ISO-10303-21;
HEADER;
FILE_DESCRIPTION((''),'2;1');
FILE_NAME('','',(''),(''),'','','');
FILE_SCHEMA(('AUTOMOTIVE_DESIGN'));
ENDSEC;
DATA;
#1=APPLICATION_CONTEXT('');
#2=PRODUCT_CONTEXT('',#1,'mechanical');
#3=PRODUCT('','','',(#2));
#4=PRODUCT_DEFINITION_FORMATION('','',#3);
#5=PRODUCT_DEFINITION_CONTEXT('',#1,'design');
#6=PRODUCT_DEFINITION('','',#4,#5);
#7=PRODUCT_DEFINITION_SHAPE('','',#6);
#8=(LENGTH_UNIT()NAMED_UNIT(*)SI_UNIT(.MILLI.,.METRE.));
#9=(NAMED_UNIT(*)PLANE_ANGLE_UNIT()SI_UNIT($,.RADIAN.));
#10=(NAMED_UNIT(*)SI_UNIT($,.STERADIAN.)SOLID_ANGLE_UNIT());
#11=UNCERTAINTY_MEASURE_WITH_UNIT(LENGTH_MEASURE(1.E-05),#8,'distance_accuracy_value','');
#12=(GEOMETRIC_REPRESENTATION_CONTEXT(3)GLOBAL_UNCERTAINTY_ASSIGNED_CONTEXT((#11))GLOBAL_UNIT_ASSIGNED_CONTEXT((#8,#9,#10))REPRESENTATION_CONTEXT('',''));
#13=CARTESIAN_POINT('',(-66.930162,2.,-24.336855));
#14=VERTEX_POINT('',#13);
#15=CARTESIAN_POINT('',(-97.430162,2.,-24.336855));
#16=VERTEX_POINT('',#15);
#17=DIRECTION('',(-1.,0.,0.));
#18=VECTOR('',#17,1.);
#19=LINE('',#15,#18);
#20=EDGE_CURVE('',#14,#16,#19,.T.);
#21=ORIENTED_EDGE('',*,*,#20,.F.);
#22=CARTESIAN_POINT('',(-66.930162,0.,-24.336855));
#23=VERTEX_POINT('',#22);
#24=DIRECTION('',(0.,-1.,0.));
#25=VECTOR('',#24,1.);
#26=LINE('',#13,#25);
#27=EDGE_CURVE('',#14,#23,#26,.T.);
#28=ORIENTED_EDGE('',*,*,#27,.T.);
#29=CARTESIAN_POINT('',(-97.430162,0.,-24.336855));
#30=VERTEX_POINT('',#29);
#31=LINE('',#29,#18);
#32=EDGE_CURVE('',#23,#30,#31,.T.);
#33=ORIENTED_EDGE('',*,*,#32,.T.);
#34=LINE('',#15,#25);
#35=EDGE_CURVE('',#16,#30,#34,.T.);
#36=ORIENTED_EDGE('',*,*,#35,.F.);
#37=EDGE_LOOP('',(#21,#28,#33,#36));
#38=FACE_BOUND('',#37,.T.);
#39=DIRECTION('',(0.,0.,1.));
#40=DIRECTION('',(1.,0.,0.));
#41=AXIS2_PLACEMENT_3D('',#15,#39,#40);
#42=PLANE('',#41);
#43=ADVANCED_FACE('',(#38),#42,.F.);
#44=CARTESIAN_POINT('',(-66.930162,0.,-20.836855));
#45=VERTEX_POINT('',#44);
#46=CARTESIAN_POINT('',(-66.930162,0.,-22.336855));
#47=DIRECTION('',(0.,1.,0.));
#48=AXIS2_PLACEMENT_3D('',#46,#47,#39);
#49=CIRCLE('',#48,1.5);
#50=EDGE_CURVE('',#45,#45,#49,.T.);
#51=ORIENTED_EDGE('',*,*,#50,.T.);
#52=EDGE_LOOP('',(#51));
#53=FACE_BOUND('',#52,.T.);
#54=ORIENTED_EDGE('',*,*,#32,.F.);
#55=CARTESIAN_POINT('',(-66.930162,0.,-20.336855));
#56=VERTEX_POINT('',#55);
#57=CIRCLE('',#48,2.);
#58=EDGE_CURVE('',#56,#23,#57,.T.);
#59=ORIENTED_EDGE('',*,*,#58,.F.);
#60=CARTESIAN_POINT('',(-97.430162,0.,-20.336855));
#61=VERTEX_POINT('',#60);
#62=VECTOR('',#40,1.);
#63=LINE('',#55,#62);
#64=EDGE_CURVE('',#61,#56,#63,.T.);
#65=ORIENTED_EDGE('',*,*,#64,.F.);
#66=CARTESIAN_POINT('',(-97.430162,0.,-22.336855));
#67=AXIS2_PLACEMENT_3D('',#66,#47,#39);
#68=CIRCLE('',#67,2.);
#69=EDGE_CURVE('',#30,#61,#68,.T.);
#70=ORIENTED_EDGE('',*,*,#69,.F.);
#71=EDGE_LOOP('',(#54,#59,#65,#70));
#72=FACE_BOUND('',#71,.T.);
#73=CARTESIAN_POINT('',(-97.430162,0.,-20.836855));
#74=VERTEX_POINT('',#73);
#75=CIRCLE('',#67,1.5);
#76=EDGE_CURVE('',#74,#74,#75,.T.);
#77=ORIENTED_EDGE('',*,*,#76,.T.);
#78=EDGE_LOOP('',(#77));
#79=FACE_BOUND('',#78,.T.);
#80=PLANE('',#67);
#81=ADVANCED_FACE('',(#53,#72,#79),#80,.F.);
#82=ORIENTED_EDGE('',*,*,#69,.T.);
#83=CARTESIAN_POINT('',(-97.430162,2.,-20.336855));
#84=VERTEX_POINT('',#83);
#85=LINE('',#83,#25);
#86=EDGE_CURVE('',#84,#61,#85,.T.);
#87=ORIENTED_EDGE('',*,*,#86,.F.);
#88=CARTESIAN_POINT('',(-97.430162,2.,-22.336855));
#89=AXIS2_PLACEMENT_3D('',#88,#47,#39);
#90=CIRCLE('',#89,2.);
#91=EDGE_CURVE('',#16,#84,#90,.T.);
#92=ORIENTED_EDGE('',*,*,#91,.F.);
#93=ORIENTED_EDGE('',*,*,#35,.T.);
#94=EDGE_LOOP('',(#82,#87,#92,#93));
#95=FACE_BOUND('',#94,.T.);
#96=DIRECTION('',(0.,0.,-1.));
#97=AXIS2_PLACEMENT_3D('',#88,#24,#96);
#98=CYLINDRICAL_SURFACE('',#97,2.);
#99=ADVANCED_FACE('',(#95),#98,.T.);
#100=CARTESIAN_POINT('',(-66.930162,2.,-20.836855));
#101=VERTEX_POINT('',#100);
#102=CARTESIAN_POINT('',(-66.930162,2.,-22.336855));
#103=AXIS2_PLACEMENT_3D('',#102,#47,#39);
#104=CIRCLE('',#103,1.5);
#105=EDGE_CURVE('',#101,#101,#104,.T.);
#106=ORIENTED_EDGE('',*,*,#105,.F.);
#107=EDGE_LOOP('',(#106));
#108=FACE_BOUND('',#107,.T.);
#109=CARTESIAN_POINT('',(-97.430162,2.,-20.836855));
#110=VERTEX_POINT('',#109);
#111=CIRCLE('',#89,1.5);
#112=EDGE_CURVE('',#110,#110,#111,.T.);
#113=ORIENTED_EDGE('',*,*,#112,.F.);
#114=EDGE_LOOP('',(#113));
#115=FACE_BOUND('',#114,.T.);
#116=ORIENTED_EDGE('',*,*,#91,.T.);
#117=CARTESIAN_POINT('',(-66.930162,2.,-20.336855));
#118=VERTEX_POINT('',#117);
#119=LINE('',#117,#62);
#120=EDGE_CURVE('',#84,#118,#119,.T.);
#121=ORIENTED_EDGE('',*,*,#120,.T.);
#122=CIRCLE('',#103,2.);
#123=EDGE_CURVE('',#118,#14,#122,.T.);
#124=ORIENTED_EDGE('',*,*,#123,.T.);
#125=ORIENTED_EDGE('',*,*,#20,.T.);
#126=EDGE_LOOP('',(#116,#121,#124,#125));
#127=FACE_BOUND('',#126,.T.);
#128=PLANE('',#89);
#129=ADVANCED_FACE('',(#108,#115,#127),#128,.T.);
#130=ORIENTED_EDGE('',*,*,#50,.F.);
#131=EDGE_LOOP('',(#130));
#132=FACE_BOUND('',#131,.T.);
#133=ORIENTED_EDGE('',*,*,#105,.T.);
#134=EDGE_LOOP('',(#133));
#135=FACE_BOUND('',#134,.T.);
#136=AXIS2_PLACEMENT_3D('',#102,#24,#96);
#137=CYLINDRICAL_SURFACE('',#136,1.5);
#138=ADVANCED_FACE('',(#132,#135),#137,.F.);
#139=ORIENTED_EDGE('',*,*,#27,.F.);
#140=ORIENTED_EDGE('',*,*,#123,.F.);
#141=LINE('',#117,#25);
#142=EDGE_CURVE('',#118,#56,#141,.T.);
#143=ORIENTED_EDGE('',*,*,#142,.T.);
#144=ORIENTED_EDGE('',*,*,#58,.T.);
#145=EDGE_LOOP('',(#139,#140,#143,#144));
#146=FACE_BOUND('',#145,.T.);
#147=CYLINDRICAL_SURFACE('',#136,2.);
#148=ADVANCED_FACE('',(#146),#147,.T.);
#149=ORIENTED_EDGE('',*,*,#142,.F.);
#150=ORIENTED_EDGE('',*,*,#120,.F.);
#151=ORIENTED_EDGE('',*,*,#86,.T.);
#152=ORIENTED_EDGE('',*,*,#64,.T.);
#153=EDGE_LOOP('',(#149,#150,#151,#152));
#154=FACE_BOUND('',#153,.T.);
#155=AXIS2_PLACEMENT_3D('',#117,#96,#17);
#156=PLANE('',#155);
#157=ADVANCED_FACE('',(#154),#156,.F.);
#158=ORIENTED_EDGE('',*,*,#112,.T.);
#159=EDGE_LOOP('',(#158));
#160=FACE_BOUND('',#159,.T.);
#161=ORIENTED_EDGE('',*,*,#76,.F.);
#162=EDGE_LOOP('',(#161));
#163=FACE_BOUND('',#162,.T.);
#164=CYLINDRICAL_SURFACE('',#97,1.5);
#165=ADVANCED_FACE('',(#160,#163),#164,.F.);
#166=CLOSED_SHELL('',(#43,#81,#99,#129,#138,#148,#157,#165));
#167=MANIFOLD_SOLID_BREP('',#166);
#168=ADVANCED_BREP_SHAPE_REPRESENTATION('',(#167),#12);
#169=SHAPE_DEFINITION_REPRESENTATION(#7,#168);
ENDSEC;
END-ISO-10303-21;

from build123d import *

# Parameters (mm, degrees)
SKETCH1_R           = 1.5
BOSS_EXTRUDE2_DEPTH = 2


with BuildPart() as part:
    # Sketch1 → Boss-Extrude2 (new body)
    with BuildSketch(Plane(origin=(0, 0, 0), x_dir=(1, 0, 0), z_dir=(0, 1, 0))):
        with BuildLine():
            Line((-97.43016209, 24.336855049), (-66.93016209, 24.336855049))
            ThreePointArc((-66.93016209, 24.336855049), (-64.93016209, 22.336855049), (-66.93016209, 20.336855049))
            Line((-66.93016209, 20.336855049), (-97.43016209, 20.336855049))
            ThreePointArc((-97.43016209, 20.336855049), (-99.43016209, 22.336855049), (-97.43016209, 24.336855049))
        make_face()
        with Locations(Location((-97.43016209, 22.336855049, 0), (0, 0, 270))):
            Circle(SKETCH1_R, mode=Mode.SUBTRACT)
        with Locations(Location((-66.93016209, 22.336855049, 0), (0, 0, 270))):
            Circle(SKETCH1_R, mode=Mode.SUBTRACT)
    extrude(amount=BOSS_EXTRUDE2_DEPTH)


solid = part.part
